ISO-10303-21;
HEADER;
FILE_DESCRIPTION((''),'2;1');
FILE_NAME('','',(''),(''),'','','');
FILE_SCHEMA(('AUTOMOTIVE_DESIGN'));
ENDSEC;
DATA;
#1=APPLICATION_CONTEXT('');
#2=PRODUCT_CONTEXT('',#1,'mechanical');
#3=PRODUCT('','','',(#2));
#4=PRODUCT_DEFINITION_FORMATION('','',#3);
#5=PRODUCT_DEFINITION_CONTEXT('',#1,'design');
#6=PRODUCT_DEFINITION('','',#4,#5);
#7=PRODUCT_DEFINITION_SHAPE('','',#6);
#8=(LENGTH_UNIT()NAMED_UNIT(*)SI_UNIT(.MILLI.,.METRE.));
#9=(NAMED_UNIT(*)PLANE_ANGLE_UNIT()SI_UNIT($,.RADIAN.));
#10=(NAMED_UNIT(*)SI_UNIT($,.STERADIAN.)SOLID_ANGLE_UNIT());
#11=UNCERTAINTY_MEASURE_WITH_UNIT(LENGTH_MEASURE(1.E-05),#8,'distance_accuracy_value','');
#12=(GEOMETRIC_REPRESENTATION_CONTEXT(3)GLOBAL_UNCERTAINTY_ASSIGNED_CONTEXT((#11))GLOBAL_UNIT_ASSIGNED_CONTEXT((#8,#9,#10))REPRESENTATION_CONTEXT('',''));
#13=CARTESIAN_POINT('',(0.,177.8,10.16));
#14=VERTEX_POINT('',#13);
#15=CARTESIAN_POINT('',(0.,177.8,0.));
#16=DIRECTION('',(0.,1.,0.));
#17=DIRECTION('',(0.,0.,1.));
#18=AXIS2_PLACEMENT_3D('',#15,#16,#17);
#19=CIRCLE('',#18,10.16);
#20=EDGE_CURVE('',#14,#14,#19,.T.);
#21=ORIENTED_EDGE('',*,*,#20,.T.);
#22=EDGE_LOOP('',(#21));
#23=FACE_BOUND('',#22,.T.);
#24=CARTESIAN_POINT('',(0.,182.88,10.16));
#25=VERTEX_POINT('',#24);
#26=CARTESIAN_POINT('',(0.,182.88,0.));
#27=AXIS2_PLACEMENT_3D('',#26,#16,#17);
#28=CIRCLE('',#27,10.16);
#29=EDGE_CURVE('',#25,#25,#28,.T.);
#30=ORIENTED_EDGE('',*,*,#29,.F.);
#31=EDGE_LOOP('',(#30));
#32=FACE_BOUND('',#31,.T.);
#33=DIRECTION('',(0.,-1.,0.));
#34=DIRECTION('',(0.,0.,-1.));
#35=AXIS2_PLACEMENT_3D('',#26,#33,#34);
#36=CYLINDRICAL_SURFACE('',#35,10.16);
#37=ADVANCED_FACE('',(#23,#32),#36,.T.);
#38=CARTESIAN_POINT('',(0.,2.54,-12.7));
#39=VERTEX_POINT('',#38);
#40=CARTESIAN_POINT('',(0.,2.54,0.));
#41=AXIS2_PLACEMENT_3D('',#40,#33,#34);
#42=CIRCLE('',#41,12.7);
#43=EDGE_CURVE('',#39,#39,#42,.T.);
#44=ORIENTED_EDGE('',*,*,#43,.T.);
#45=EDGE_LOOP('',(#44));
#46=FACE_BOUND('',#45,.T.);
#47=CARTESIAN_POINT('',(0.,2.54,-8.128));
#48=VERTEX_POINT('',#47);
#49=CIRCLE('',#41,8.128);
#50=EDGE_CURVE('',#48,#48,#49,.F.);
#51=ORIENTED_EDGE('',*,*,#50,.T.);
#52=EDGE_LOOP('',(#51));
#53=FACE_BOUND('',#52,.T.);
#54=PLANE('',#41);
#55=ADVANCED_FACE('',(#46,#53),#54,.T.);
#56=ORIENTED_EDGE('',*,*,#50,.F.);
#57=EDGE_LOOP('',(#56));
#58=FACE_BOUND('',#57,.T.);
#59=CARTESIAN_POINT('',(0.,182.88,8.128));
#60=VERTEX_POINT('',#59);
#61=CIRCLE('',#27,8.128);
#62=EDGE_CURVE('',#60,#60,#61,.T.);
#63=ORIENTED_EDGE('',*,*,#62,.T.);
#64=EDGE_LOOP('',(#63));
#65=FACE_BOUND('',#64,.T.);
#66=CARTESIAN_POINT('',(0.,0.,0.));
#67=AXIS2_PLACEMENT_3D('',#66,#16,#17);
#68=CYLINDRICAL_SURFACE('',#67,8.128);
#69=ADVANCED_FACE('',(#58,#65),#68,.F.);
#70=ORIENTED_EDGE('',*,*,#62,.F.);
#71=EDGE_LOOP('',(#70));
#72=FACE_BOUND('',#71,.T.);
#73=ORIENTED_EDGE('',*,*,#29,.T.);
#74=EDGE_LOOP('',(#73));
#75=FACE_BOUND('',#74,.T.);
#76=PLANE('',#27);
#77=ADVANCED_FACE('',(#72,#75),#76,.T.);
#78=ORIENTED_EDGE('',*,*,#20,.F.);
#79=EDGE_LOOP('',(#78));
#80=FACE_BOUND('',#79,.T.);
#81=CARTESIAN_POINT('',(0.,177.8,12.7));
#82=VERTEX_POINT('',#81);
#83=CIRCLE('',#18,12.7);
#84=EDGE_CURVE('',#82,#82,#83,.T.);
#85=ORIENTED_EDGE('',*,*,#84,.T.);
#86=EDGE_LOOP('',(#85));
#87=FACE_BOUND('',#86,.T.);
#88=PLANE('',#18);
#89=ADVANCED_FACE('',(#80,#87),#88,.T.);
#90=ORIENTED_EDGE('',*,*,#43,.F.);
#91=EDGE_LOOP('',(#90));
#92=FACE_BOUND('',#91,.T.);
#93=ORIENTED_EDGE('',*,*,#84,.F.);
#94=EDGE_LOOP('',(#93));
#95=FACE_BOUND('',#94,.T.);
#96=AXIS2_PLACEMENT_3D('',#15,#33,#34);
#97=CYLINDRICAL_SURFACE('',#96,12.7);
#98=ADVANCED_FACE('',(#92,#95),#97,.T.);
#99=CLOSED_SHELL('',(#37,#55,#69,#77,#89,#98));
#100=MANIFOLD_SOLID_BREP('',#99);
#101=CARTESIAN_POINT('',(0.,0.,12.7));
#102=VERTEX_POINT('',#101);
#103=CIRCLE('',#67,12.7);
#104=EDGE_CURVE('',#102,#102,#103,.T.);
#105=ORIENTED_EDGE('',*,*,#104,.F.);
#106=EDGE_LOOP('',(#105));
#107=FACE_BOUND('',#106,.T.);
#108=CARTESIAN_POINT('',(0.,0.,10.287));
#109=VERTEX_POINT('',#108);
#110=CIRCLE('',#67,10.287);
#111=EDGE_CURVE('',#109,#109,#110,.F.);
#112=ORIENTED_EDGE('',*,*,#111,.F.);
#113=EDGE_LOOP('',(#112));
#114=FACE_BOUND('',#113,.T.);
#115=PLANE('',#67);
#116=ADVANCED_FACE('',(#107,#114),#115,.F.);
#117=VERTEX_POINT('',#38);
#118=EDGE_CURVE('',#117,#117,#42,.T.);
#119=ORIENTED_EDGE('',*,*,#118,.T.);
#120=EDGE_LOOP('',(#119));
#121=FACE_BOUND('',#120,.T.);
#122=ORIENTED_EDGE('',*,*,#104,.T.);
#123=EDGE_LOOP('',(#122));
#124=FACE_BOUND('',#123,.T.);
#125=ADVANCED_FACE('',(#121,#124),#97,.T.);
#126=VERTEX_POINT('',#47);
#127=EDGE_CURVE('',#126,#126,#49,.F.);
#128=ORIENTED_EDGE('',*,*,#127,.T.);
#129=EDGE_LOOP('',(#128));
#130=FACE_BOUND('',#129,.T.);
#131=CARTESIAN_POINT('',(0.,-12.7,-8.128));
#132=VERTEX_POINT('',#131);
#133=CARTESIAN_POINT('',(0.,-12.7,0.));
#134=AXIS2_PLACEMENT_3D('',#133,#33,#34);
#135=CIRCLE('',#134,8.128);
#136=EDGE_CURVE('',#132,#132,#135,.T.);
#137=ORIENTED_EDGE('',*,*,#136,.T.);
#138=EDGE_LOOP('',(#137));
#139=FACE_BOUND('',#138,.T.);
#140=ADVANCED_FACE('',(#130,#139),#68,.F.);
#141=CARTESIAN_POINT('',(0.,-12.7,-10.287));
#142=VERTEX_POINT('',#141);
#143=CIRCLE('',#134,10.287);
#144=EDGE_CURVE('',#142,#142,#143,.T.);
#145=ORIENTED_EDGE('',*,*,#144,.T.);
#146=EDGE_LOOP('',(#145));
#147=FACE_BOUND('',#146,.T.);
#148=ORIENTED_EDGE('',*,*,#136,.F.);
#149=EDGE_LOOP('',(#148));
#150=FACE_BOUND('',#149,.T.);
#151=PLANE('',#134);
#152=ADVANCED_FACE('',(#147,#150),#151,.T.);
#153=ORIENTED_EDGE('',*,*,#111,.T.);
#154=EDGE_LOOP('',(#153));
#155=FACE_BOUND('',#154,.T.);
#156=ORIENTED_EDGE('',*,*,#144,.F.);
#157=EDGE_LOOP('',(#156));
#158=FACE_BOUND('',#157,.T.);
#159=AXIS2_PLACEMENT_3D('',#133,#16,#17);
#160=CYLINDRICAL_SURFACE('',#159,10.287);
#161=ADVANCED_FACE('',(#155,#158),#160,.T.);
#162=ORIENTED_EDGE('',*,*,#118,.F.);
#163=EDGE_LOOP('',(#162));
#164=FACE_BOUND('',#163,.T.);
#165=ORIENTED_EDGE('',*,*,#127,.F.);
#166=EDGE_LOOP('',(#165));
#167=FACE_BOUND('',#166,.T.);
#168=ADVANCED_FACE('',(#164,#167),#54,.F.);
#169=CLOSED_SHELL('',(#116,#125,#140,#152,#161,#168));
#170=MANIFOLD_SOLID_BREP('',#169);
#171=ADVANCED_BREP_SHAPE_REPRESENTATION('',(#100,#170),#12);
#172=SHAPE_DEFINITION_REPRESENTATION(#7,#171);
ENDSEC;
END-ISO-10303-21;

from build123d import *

# Parameters (mm, degrees)
SKETCH1_R           = 12.7
BOSS_EXTRUDE1_DEPTH = 177.8
SKETCH4_R           = 10.16
BOSS_EXTRUDE2_DEPTH = 5.08
SKETCH5_R           = 8.128
CUT_EXTRUDE1_DEPTH  = 184.759828036
SKETCH6_R           = 10.287
SKETCH6_R_2         = 8.128
BOSS_EXTRUDE3_DEPTH = 12.7


with BuildPart() as part:
    # Sketch1 → Boss-Extrude1 (new body)
    with BuildSketch(Plane(origin=(0, 0, 0), x_dir=(1, 0, 0), z_dir=(0, 1, 0))):
        with Locations(Location((0, 0, 0), (0, 0, 270))):
            Circle(SKETCH1_R)
    extrude(amount=BOSS_EXTRUDE1_DEPTH)

    # Sketch4 → Boss-Extrude2 (add)
    with BuildSketch(Plane(origin=(0, 177.8, 0), x_dir=(1, 0, 0), z_dir=(0, 1, 0))):
        with Locations(Location((0, 0, 0), (0, 0, 270))):
            Circle(SKETCH4_R)
    extrude(amount=BOSS_EXTRUDE2_DEPTH)

    # Sketch5 → Cut-Extrude1 (cut, through all)
    with BuildSketch(Plane(origin=(0, 182.88, 0), x_dir=(1, 0, 0), z_dir=(0, 1, 0))):
        with Locations(Location((0, 0, 0), (0, 0, 270))):
            Circle(SKETCH5_R)
    extrude(amount=-CUT_EXTRUDE1_DEPTH, mode=Mode.SUBTRACT)

    # Sketch6 → Boss-Extrude3 (add)
    with BuildSketch(Plane.XZ):
        with Locations(Location((0, 0, 0), (0, 0, 90))):
            Circle(SKETCH6_R)
        with Locations(Location((0, 0, 0), (0, 0, 90))):
            Circle(SKETCH6_R_2, mode=Mode.SUBTRACT)
    extrude(amount=BOSS_EXTRUDE3_DEPTH)


with BuildPart() as body_2:
    # Split1: the piece on the far side of the plane
    add(part.part)
    split(bisect_by=Plane(origin=(0, 2.54, 0), x_dir=(0, 0, -1), z_dir=(0, -1, 0)), keep=Keep.BOTTOM)


with BuildPart() as part_1:
    add(part.part)

    # Split1
    split(bisect_by=Plane(origin=(0, 2.54, 0), x_dir=(0, 0, -1), z_dir=(0, -1, 0)), keep=Keep.TOP)


solid = Compound([body_2.part, part_1.part])
